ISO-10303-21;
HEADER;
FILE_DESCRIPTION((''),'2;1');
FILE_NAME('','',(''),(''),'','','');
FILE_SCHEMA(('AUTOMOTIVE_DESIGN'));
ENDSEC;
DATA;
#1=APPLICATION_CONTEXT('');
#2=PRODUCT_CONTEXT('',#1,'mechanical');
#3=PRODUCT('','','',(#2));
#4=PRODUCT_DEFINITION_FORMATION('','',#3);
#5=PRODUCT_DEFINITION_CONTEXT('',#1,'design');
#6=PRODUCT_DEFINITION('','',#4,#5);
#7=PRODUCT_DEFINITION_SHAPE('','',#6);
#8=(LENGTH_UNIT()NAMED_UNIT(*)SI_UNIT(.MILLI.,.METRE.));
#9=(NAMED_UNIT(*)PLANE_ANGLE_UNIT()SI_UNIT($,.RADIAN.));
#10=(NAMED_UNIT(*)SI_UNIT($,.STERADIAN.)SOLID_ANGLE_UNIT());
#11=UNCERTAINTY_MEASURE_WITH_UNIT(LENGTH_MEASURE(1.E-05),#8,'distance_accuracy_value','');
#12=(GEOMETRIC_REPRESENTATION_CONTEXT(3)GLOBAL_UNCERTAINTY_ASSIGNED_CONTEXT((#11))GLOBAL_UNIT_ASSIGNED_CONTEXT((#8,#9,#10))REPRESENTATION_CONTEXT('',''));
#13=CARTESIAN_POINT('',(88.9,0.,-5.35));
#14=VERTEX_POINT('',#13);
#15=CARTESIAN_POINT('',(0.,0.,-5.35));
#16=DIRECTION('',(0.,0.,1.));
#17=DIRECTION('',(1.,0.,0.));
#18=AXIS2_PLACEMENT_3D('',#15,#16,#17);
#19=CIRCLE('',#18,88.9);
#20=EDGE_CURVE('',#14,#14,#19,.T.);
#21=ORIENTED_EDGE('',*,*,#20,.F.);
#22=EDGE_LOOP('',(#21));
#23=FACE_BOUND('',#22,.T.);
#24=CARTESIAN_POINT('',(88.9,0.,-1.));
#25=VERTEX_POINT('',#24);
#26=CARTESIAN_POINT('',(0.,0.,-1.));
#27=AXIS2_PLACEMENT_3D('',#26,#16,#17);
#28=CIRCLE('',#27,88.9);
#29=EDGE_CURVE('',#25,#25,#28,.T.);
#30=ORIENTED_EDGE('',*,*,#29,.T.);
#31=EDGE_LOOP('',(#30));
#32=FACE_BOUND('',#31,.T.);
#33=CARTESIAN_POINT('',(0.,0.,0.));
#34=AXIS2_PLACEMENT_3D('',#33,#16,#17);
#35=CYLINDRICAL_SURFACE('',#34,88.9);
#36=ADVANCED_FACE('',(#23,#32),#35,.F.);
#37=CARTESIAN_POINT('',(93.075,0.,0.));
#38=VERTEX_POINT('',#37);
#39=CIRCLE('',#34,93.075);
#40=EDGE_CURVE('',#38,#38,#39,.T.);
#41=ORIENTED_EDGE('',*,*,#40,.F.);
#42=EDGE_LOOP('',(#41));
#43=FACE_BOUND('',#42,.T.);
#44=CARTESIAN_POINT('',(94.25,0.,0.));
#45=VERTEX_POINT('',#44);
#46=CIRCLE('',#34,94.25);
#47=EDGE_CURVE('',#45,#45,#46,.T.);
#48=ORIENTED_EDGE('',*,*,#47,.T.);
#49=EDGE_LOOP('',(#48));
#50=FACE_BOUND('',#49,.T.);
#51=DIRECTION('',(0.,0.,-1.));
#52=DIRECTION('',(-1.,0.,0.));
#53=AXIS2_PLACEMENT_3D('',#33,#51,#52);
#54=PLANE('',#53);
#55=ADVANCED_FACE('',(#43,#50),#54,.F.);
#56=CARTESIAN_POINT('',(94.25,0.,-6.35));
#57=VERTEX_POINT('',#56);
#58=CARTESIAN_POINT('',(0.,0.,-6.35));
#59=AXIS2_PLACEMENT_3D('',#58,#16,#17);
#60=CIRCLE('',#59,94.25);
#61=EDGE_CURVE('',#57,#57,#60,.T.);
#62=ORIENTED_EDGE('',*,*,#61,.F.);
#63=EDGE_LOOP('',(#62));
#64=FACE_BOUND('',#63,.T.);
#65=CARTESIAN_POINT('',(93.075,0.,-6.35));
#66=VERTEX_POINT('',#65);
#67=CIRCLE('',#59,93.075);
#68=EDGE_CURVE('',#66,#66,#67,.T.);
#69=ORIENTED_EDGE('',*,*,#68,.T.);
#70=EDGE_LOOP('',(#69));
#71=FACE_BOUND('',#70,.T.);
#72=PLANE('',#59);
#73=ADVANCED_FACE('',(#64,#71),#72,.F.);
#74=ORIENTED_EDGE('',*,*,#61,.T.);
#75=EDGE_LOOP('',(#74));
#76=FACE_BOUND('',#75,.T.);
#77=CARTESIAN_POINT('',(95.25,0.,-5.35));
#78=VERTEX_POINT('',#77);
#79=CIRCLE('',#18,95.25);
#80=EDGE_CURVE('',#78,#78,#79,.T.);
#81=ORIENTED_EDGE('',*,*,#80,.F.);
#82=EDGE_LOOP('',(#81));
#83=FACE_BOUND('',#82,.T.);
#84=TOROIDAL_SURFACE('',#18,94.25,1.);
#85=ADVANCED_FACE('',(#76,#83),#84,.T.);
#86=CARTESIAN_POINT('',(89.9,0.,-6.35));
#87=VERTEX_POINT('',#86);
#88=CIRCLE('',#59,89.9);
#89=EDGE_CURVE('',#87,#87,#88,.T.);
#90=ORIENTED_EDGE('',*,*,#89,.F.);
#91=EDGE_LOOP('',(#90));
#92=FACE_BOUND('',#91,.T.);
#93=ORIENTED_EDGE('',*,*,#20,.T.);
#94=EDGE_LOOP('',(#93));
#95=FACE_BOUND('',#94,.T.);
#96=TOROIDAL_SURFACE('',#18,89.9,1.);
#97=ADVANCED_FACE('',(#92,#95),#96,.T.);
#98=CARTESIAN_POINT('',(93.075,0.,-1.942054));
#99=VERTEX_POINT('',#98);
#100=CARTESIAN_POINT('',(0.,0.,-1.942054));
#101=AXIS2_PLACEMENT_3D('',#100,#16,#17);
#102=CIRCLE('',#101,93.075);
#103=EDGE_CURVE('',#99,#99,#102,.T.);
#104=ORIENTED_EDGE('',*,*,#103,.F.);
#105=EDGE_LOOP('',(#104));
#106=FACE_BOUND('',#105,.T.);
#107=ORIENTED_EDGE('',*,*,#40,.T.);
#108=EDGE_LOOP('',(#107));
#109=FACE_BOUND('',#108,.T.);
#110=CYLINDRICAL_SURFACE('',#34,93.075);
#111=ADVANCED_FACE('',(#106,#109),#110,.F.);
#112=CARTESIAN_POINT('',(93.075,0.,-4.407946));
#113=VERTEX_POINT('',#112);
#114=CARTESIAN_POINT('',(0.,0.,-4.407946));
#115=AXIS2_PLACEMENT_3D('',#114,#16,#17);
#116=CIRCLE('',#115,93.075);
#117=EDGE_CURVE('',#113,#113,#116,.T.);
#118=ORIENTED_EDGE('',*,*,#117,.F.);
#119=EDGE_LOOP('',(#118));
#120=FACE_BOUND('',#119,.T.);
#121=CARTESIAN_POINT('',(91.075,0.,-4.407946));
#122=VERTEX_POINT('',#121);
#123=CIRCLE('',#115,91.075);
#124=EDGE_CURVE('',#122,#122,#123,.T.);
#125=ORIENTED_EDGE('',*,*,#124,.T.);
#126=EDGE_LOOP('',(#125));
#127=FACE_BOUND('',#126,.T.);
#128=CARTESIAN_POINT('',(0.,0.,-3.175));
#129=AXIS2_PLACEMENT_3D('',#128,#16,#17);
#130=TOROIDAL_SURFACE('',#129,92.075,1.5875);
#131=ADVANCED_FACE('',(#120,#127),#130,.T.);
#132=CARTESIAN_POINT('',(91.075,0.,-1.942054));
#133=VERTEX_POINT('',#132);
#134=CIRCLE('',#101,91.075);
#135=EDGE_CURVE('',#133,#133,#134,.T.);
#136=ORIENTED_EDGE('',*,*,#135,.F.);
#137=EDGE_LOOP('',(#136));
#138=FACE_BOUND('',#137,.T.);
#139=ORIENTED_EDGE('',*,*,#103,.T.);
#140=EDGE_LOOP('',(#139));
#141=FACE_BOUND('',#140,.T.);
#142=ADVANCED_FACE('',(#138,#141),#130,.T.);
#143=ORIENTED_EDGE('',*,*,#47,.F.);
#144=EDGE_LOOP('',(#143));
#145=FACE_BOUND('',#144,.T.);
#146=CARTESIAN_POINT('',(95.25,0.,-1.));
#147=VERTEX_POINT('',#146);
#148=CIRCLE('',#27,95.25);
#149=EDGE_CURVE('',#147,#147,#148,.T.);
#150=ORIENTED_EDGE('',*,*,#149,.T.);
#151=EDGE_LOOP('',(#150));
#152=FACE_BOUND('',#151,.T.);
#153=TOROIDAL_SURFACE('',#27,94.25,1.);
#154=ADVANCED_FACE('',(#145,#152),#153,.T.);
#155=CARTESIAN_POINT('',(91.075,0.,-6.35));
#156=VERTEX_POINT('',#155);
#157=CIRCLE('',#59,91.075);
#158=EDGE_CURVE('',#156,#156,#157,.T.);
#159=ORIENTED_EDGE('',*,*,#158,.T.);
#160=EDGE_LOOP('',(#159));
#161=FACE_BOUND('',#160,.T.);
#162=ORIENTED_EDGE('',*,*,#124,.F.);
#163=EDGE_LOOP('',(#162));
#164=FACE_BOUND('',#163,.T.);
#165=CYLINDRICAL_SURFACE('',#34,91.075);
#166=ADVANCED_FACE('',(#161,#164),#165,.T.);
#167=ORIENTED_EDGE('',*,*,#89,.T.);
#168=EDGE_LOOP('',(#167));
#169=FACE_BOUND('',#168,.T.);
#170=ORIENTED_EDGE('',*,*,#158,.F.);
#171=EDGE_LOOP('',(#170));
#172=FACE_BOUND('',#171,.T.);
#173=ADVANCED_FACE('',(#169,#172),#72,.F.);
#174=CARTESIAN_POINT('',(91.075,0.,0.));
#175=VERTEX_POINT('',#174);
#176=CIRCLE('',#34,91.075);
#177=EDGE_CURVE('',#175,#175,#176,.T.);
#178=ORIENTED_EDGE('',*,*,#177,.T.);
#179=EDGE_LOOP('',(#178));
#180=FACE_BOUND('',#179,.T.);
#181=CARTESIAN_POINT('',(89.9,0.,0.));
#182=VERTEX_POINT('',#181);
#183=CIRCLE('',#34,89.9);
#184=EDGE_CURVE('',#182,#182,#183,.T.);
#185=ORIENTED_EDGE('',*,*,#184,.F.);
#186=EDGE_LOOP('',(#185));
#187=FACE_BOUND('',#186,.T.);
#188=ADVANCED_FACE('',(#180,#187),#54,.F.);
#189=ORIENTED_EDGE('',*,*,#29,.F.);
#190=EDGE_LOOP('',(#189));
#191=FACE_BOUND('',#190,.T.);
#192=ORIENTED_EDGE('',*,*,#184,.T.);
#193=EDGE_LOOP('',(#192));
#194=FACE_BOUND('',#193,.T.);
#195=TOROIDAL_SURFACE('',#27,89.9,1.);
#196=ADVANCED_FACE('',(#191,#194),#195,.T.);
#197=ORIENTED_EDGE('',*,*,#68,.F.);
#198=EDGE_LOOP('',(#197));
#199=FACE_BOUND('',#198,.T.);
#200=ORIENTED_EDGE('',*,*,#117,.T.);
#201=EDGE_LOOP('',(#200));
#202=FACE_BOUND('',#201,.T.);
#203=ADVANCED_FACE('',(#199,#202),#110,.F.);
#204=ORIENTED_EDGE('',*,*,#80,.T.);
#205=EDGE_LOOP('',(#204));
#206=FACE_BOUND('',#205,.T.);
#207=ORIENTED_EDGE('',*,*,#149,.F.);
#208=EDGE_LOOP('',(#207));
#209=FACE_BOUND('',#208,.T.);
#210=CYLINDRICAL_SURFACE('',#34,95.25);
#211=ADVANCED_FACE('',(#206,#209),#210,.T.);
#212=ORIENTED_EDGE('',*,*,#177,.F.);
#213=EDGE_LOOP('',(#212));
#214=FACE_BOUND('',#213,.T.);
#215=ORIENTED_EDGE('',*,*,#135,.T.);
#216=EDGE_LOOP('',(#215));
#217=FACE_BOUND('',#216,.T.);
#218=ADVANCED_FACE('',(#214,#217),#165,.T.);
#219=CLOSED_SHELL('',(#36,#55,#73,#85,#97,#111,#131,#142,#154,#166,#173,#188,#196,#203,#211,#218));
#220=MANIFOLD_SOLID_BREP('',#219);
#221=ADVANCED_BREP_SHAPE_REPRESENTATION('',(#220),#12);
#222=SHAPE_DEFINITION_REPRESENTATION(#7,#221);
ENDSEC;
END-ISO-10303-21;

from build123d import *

# Parameters (mm, degrees)
SKETCH_1_R = 1.5875


with BuildPart() as part:
    # 草图1 → 旋转1 (revolve)
    with BuildSketch(Plane(origin=(0, 0, 0), x_dir=(1, 0, 0), z_dir=(0, 1, 0))):
        with BuildLine():
            Line((88.9, 5.35), (88.9, 1))
            ThreePointArc((88.9, 1), (89.192893219, 0.292893219), (89.9, 0))
            Line((89.9, 0), (91.075, 0))
            Line((91.075, 0), (91.075, 1.942053833))
            ThreePointArc((91.075, 1.942053833), (90.4875, 3.175), (91.075, 4.407946167))
            Line((91.075, 4.407946167), (91.075, 6.35))
            Line((91.075, 6.35), (89.9, 6.35))
            ThreePointArc((89.9, 6.35), (89.192893219, 6.057106781), (88.9, 5.35))
        make_face()
        with BuildLine():
            ThreePointArc((93.6625, 3.175), (93.508118322, 2.492117781), (93.075, 1.942053833))
            Line((93.075, 1.942053833), (93.075, 0))
            Line((93.075, 0), (94.25, 0))
            ThreePointArc((94.25, 0), (94.957106781, 0.292893219), (95.25, 1))
            Line((95.25, 1), (95.25, 5.35))
            ThreePointArc((95.25, 5.35), (94.957106781, 6.057106781), (94.25, 6.35))
            Line((94.25, 6.35), (93.075, 6.35))
            Line((93.075, 6.35), (93.075, 4.407946167))
            ThreePointArc((93.075, 4.407946167), (93.508118322, 3.857882219), (93.6625, 3.175))
        make_face()
        with Locations((92.075, 3.175)):
            Circle(SKETCH_1_R)
    revolve(axis=Axis((0, 0, 0), (0, 0, -1)))


solid = part.part
